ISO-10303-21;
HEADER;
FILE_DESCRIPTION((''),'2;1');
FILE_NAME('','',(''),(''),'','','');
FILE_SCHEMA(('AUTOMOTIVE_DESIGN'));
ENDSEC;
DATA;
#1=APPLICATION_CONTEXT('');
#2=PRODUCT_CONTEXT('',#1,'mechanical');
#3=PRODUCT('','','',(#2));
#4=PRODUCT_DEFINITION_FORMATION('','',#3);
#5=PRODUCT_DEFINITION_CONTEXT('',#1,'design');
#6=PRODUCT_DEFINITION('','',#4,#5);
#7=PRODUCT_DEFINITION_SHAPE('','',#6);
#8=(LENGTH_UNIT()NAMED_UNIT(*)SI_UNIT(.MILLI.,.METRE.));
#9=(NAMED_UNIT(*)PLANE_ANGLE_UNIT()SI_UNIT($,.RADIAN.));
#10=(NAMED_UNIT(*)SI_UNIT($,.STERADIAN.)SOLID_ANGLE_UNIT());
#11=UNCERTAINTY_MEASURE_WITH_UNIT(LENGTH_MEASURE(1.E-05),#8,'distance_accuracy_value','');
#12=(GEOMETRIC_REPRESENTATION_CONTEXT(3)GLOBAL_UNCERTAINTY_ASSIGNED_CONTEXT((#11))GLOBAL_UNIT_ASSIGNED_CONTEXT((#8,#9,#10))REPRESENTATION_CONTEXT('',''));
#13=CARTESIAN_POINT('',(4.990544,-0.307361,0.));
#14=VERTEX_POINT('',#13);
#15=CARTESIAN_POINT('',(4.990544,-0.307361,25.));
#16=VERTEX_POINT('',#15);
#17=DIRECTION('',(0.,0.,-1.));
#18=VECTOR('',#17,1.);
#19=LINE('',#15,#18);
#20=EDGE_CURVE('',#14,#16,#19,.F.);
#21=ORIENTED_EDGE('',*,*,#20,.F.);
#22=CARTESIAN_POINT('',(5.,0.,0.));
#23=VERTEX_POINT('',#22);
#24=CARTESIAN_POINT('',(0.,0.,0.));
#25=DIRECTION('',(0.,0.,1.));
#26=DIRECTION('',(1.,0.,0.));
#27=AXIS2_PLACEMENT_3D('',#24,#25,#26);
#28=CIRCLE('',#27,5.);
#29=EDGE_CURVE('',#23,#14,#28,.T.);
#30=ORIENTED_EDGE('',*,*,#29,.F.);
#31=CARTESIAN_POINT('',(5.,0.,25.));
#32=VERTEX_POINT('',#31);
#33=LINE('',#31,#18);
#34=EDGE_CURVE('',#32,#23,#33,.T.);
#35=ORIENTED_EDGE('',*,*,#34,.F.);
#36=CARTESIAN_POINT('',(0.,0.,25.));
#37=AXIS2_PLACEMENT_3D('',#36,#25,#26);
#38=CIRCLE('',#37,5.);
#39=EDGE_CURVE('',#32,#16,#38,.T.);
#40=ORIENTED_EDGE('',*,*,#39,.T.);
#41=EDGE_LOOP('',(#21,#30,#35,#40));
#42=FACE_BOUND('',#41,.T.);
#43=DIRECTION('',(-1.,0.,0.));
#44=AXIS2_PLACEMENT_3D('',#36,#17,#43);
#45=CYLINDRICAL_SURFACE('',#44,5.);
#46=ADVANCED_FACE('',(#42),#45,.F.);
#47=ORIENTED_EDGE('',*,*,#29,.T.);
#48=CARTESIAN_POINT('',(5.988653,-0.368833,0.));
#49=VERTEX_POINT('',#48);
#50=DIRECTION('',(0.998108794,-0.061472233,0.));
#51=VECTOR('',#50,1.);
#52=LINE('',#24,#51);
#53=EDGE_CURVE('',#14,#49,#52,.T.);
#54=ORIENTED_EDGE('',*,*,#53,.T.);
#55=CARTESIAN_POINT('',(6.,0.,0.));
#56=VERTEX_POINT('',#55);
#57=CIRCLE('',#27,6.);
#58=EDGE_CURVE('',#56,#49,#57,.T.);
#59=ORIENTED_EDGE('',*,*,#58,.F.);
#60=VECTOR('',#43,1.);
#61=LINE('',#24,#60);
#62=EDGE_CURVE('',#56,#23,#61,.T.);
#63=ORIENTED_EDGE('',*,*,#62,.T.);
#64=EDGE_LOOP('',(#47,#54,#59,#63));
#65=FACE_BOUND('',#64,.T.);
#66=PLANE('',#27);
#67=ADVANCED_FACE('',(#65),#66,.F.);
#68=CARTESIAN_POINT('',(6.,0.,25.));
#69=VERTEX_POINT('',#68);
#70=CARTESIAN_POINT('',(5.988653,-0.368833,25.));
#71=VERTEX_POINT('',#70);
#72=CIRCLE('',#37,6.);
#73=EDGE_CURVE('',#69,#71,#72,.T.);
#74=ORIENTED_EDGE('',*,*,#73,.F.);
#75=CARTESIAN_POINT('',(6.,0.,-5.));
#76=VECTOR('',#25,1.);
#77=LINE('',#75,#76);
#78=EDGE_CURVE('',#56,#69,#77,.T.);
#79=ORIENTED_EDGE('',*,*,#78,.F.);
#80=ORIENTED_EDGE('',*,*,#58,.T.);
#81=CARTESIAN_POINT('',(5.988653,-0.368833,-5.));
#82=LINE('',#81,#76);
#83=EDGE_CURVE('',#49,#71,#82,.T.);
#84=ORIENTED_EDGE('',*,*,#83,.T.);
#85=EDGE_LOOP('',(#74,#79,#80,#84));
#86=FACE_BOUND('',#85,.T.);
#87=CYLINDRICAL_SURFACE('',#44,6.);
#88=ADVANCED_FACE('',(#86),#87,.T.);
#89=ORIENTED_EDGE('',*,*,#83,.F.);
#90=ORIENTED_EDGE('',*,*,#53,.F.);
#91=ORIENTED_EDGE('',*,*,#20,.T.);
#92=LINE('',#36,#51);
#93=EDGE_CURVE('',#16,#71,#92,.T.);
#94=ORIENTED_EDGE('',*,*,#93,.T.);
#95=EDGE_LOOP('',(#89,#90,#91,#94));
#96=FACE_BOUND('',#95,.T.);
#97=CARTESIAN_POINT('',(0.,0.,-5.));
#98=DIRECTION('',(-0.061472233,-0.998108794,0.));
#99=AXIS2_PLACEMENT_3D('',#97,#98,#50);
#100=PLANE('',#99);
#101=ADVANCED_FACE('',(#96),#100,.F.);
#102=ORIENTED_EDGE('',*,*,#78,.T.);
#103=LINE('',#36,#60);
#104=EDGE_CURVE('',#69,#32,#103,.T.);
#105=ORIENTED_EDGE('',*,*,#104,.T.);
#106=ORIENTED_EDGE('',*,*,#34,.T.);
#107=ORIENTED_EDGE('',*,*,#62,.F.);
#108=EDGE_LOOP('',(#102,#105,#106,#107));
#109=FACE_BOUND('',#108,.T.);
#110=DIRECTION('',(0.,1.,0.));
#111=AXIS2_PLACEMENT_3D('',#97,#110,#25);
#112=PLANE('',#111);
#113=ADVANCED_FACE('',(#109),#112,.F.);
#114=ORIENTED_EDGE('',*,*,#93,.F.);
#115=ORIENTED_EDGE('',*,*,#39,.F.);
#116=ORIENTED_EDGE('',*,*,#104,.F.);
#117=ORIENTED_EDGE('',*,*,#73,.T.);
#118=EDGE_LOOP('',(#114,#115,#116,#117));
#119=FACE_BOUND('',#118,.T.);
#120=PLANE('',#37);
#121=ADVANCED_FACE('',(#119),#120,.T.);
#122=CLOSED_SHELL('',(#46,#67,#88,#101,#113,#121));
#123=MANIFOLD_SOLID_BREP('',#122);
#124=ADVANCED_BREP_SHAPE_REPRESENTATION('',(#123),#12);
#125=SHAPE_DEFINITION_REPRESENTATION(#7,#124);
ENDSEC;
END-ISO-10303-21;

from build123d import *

# Parameters (mm, degrees)
SKETCH_1_R          = 6
SKETCH_1_R_2        = 5
EXTRUDE_1_DEPTH     = 25
CUT_EXTRUDE_START   = -30
CUT_EXTRUDE_1_DEPTH = 30


with BuildPart() as part:
    # 草图1 → 凸台-拉伸1 (new body)
    with BuildSketch(Plane.XY):
        Circle(SKETCH_1_R)
        Circle(SKETCH_1_R_2, mode=Mode.SUBTRACT)
    extrude(amount=EXTRUDE_1_DEPTH)

    # 草图2 → 切除-拉伸1 (cut)
    with BuildSketch(Plane.XY.offset(25).offset(CUT_EXTRUDE_START)):
        with BuildLine():
            Line((0, 0), (6, 0))
            ThreePointArc((6, 0), (5.99716252, -0.184503952), (5.988652764, -0.368833396))
            Line((5.988652764, -0.368833396), (0, 0))
        make_face()
    extrude(amount=CUT_EXTRUDE_1_DEPTH, mode=Mode.SUBTRACT)


solid = part.part
